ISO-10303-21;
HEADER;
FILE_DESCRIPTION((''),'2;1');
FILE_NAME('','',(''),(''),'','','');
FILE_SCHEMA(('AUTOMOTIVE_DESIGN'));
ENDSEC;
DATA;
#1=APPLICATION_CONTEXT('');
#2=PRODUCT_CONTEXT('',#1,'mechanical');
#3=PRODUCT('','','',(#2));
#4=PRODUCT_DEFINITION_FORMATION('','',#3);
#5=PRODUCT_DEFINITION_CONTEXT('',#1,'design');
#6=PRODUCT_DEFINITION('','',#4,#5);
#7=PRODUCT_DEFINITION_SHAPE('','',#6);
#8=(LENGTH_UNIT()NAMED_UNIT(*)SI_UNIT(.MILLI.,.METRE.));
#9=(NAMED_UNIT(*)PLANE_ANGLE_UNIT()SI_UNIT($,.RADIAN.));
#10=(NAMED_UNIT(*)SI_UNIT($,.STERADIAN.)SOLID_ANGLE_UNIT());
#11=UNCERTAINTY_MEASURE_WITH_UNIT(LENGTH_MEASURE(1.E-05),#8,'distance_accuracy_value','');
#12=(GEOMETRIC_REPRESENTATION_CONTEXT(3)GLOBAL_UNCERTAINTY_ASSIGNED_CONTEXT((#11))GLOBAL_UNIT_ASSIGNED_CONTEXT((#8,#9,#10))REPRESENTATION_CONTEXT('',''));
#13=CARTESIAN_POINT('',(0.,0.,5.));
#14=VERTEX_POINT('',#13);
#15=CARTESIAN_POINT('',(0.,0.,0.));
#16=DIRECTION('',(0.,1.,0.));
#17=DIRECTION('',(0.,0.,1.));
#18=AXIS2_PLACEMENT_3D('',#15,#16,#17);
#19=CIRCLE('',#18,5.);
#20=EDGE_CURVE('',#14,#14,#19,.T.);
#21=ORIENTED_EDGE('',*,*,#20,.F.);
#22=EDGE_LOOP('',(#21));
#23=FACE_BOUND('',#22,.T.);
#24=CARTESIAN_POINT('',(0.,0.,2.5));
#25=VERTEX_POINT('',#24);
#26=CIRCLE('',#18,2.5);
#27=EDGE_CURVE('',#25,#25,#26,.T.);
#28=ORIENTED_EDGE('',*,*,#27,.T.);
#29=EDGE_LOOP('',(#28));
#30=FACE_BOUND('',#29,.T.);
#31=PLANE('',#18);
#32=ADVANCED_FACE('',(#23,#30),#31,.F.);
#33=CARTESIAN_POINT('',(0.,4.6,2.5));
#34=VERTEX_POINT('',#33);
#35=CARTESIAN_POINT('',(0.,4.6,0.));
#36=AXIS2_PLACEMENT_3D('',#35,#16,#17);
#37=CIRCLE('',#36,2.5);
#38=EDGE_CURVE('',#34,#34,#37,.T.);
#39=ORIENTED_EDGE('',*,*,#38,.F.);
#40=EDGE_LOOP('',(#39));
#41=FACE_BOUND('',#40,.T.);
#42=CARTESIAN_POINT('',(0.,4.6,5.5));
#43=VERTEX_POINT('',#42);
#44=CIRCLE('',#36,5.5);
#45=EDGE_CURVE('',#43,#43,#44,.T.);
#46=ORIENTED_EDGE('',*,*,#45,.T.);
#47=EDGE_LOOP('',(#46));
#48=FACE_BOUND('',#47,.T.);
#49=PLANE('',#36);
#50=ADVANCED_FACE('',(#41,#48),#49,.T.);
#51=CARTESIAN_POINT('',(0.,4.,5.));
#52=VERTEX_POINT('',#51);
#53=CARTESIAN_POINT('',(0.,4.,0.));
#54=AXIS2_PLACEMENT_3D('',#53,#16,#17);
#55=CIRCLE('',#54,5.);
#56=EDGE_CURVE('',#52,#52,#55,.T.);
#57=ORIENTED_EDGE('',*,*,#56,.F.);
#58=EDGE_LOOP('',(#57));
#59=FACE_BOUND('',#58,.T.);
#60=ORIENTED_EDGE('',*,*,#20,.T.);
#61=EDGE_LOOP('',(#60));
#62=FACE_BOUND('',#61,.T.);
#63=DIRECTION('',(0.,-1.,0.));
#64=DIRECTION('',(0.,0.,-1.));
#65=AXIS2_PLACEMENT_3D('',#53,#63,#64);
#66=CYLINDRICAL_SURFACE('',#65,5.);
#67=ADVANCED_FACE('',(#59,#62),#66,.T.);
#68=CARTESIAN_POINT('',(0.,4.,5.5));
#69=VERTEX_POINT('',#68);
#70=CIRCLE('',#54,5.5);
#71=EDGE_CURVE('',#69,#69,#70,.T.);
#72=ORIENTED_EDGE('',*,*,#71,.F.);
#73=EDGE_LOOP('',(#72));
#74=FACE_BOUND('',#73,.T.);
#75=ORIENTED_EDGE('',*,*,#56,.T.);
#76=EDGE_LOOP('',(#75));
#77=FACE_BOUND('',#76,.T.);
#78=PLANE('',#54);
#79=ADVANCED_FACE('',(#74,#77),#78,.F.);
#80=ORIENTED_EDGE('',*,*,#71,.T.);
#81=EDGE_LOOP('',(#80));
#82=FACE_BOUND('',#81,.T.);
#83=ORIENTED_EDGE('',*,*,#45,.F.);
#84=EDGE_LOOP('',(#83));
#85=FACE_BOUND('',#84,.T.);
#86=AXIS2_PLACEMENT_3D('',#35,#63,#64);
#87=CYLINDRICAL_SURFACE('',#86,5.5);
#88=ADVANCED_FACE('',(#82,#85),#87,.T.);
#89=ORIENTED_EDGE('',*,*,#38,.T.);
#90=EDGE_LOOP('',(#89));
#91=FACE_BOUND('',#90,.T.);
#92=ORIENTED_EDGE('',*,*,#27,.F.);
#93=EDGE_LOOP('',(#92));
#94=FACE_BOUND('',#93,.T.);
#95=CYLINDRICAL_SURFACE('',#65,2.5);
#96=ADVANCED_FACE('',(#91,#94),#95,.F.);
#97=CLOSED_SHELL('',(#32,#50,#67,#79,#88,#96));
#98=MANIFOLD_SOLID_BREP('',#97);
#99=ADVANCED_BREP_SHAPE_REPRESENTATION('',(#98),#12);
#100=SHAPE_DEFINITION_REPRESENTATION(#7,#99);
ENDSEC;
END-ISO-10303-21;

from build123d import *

# Parameters (mm, degrees)
SKETCH1_R           = 5
SKETCH1_R_2         = 2.5
BOSS_EXTRUDE1_DEPTH = 4
SKETCH2_R           = 5.5
SKETCH2_R_2         = 2.5
BOSS_EXTRUDE2_DEPTH = 0.6


with BuildPart() as part:
    # Sketch1 → Boss-Extrude1 (new body)
    with BuildSketch(Plane(origin=(0, 0, 0), x_dir=(1, 0, 0), z_dir=(0, 1, 0))):
        with Locations(Location((0, 0, 0), (0, 0, 270))):
            Circle(SKETCH1_R)
        with Locations(Location((0, 0, 0), (0, 0, 270))):
            Circle(SKETCH1_R_2, mode=Mode.SUBTRACT)
    extrude(amount=BOSS_EXTRUDE1_DEPTH)

    # Sketch2 → Boss-Extrude2 (add)
    with BuildSketch(Plane(origin=(0, 4, 0), x_dir=(1, 0, 0), z_dir=(0, 1, 0))):
        with Locations(Location((0, 0, 0), (0, 0, 270))):
            Circle(SKETCH2_R)
        with Locations(Location((0, 0, 0), (0, 0, 270))):
            Circle(SKETCH2_R_2, mode=Mode.SUBTRACT)
    extrude(amount=BOSS_EXTRUDE2_DEPTH)


solid = part.part
